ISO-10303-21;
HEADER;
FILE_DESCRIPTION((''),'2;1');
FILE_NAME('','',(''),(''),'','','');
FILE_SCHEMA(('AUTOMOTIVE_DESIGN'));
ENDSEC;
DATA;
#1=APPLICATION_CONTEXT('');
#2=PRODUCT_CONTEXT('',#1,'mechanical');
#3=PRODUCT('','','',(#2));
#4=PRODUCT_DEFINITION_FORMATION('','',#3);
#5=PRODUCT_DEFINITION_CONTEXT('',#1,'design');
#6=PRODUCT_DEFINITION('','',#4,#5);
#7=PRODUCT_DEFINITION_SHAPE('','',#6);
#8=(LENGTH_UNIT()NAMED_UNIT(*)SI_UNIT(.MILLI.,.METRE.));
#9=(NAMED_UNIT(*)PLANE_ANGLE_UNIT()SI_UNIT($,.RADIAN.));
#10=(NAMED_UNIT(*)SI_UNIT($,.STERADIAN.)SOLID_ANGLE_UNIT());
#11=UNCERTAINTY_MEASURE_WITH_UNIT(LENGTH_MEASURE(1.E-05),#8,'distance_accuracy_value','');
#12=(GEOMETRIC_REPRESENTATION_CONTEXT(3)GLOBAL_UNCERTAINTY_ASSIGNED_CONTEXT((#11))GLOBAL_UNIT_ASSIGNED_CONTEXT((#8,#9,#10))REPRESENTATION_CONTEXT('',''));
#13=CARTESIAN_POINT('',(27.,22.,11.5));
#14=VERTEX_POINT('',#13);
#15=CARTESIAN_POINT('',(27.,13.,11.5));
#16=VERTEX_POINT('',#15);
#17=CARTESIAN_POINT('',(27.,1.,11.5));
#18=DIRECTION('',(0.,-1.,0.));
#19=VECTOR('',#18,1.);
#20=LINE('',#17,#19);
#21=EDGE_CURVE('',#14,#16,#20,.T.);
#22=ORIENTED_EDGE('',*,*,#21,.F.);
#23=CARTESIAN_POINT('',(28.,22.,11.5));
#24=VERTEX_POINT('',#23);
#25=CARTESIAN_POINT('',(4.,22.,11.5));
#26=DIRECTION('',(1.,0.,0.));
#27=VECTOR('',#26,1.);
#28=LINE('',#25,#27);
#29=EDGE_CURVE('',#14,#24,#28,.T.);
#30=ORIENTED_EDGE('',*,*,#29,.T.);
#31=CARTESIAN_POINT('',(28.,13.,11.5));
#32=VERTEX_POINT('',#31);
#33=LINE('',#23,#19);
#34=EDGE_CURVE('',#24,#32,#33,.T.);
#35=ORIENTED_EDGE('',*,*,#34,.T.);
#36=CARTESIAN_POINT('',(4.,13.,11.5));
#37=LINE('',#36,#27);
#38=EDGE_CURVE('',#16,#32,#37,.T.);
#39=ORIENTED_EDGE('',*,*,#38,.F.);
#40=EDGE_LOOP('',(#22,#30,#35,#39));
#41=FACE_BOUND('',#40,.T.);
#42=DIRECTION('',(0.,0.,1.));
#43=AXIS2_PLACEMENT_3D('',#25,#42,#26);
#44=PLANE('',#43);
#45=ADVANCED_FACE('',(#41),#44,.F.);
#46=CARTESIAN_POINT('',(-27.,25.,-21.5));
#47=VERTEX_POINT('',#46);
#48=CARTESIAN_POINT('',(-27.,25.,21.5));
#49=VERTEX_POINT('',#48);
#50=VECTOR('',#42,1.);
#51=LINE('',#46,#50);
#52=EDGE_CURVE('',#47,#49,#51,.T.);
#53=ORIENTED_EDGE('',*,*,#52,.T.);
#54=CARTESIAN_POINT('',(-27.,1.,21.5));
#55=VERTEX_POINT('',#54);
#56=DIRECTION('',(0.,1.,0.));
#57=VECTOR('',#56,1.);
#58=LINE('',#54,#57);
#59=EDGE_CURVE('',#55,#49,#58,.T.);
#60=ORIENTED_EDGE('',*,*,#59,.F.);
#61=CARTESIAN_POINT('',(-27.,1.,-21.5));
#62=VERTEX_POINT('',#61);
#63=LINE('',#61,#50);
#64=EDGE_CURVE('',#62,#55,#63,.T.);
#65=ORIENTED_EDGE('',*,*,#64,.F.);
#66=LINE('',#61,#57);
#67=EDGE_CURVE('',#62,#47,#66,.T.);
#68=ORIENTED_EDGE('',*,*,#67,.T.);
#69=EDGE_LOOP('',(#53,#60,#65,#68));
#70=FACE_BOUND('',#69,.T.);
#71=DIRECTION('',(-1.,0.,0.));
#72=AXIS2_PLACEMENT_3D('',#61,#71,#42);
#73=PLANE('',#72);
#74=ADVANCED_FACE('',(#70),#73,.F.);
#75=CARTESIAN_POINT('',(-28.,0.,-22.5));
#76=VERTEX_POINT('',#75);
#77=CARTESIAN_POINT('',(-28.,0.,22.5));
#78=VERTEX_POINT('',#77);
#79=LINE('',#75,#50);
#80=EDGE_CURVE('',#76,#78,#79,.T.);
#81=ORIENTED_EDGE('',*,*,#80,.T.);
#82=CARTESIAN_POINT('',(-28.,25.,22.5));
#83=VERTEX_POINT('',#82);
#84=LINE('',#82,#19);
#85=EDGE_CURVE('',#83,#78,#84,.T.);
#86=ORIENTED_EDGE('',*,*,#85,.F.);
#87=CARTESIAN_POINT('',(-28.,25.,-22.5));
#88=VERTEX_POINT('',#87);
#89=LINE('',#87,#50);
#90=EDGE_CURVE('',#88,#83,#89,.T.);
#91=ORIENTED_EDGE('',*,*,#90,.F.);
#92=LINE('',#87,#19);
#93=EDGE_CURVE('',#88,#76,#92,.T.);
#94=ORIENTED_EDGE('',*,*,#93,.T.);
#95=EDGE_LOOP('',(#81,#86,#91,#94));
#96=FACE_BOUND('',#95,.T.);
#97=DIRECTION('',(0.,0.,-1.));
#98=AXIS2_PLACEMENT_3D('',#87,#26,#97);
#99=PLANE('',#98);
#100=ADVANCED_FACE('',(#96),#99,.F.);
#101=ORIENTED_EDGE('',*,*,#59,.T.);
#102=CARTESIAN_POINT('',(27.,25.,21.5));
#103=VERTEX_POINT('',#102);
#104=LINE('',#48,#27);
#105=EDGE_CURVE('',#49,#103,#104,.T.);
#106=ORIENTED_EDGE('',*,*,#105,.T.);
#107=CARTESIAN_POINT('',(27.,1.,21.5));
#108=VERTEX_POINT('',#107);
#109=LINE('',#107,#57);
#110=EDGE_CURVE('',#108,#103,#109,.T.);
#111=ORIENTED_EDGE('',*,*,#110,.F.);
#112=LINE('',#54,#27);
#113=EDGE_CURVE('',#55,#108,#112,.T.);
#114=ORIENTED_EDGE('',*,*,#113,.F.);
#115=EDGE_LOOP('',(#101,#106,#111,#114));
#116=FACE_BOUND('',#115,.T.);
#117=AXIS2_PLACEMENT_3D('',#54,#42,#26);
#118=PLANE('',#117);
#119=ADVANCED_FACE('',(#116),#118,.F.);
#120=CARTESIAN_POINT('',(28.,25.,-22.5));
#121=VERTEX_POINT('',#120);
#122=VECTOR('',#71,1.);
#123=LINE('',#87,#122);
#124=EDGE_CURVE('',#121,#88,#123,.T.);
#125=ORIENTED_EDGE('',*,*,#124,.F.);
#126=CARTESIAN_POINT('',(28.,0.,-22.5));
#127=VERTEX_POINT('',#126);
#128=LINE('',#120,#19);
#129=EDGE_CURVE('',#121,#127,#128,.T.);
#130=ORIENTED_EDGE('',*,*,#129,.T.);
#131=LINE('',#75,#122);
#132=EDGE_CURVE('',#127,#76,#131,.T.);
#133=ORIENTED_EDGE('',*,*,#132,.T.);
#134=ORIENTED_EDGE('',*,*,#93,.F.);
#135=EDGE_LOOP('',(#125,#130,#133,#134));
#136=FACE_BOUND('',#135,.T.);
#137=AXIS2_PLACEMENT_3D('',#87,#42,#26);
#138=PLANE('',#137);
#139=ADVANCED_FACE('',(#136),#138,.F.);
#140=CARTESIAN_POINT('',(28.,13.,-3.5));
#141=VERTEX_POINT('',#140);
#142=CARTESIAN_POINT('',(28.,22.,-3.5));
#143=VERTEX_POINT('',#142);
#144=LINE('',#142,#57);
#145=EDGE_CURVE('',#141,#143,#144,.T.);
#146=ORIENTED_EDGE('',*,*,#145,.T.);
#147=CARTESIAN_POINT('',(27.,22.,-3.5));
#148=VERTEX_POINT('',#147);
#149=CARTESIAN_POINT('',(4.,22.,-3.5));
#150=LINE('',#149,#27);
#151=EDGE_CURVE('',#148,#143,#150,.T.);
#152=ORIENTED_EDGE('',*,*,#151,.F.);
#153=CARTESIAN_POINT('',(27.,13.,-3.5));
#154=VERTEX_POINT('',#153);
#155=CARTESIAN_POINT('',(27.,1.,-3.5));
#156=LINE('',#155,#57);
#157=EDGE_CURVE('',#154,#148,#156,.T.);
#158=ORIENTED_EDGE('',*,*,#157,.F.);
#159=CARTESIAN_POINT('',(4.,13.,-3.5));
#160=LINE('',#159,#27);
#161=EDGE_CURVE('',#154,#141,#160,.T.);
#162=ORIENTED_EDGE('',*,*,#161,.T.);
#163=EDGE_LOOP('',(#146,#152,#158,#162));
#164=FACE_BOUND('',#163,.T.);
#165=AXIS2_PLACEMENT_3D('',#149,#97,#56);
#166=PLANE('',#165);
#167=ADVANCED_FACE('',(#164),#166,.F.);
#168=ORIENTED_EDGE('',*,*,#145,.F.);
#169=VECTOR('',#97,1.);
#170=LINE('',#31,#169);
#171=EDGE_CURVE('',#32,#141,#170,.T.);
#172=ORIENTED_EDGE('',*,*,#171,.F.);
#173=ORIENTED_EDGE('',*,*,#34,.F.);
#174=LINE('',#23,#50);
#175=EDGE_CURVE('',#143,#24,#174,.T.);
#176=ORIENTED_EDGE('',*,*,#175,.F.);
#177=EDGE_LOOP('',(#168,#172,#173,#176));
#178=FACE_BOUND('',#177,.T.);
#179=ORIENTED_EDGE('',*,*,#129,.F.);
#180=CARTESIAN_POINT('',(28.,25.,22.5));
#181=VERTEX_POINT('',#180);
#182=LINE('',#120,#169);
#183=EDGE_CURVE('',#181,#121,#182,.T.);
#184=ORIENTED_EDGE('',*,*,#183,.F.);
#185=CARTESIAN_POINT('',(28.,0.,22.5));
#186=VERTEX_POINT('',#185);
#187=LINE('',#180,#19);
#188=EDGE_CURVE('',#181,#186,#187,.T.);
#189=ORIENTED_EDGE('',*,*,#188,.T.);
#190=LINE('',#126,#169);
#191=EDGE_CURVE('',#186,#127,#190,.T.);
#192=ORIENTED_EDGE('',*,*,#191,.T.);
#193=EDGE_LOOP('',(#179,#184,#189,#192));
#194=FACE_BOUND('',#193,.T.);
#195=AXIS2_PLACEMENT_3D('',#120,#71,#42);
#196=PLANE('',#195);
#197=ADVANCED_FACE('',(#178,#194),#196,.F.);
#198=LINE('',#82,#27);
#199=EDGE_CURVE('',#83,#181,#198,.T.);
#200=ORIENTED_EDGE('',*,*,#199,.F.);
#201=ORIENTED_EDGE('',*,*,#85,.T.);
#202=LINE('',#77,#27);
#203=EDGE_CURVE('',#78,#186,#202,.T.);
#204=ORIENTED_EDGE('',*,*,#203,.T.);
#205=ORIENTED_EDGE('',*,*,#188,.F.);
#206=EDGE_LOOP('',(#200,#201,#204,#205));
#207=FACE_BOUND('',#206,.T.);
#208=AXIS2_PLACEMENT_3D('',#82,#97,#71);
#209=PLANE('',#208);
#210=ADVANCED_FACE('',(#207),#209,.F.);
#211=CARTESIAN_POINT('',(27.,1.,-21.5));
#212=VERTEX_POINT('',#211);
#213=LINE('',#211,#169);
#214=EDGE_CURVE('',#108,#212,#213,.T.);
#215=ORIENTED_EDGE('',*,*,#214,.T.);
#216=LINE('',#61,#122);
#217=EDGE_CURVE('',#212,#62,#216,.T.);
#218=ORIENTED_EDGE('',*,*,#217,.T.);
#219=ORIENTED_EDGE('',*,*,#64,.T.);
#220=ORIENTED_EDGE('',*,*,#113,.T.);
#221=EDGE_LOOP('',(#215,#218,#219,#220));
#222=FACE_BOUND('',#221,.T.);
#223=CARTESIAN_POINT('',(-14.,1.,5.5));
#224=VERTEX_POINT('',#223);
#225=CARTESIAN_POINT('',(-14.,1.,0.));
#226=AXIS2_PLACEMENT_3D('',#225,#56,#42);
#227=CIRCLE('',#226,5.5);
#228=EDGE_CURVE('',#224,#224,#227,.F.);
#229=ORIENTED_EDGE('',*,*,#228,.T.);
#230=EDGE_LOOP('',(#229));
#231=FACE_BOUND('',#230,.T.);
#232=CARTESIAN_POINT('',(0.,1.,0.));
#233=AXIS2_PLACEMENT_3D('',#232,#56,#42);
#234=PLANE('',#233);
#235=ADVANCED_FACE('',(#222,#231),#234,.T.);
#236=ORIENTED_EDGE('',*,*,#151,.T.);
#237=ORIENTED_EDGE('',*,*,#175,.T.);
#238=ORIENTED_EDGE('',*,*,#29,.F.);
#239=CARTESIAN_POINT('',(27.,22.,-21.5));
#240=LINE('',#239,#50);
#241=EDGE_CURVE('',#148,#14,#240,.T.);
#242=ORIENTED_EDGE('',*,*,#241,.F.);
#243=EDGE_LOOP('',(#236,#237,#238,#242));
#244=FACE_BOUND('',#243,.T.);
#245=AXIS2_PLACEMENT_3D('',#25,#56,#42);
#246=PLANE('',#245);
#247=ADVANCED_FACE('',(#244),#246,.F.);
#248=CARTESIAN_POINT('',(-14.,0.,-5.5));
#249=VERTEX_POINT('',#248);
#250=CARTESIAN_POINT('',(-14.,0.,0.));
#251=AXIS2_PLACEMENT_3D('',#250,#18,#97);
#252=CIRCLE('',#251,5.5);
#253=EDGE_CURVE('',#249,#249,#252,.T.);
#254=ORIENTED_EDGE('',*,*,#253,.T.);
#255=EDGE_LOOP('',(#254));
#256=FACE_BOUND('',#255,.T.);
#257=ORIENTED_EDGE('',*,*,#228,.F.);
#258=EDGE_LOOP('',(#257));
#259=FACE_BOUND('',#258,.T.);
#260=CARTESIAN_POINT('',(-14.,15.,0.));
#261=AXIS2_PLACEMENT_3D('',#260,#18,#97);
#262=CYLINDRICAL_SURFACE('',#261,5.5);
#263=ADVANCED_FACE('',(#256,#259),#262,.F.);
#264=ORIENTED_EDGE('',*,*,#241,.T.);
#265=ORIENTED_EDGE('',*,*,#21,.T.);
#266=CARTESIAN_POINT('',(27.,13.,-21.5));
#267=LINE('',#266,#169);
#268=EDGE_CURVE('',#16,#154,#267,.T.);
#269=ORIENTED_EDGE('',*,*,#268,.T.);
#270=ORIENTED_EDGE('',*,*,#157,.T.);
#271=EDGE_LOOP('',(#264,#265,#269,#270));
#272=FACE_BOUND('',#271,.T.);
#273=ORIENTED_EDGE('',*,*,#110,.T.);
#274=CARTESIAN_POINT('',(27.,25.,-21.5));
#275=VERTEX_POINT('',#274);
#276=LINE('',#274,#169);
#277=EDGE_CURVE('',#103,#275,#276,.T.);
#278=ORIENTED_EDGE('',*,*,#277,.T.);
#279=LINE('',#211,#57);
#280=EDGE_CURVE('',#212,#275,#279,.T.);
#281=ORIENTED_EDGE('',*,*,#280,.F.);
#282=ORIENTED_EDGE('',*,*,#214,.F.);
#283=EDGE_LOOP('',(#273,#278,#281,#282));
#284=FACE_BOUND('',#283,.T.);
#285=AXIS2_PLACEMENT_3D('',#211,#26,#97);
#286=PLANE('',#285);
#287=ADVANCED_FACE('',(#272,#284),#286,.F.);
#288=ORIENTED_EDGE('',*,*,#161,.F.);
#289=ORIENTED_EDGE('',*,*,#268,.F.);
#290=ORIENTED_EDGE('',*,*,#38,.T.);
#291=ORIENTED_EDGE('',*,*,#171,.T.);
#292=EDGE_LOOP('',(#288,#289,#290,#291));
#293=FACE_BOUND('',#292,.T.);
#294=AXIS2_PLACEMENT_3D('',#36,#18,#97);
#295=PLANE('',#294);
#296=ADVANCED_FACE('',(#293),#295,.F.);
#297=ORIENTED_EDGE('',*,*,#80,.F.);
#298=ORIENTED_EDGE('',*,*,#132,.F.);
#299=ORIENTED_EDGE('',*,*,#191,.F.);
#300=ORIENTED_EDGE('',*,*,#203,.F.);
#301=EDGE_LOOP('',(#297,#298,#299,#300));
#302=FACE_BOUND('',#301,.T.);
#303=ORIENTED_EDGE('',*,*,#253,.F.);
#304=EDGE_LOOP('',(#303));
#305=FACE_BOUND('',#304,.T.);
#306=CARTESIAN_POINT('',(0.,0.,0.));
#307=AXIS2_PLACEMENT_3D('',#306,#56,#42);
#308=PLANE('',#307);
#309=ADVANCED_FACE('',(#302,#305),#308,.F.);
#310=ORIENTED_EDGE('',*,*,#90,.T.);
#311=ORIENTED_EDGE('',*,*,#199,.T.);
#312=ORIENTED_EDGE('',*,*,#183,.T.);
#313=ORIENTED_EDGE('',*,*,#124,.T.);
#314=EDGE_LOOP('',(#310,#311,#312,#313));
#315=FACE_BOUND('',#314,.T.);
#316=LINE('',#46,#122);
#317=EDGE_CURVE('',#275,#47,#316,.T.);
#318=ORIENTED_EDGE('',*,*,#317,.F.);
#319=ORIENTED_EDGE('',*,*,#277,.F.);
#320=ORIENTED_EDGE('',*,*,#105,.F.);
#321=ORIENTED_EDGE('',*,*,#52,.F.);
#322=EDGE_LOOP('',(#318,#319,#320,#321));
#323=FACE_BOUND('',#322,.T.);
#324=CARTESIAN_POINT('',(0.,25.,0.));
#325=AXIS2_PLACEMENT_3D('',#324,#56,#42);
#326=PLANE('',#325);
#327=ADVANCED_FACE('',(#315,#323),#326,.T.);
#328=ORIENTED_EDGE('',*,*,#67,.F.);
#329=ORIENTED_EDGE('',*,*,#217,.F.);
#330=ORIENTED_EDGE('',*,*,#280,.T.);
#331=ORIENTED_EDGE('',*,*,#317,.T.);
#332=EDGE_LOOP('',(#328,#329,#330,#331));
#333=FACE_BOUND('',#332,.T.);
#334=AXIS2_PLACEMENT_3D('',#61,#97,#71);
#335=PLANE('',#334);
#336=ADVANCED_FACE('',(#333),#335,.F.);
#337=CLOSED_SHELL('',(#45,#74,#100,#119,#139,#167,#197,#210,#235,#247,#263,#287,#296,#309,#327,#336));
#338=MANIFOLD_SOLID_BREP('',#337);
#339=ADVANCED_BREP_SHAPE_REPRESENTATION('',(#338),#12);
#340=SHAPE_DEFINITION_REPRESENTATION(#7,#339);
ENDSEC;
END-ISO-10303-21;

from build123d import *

# Parameters (mm, degrees)
SKETCH1_W           = 56
SKETCH1_H           = 45
BOSS_EXTRUDE1_DEPTH = 25
SKETCH2_R           = 5.5
CUT_EXTRUDE1_DEPTH  = 15
SKETCH3_W           = 54
SKETCH3_H           = 43
CUT_EXTRUDE2_DEPTH  = 24
SKETCH4_W           = 15
SKETCH4_H           = 9
CUT_EXTRUDE3_DEPTH  = 24


with BuildPart() as part:
    # Sketch1 → Boss-Extrude1 (new body)
    with BuildSketch(Plane(origin=(0, 0, 0), x_dir=(1, 0, 0), z_dir=(0, 1, 0))):
        Rectangle(SKETCH1_W, SKETCH1_H)
    extrude(amount=BOSS_EXTRUDE1_DEPTH)

    # Sketch2 → Cut-Extrude1 (cut)
    with BuildSketch(Plane.XZ):
        with Locations((-14, 0)):
            Circle(SKETCH2_R)
    extrude(amount=-CUT_EXTRUDE1_DEPTH, mode=Mode.SUBTRACT)

    # Sketch3 → Cut-Extrude2 (cut)
    with BuildSketch(Plane(origin=(0, 25, 0), x_dir=(1, 0, 0), z_dir=(0, 1, 0))):
        Rectangle(SKETCH3_W, SKETCH3_H)
    extrude(amount=-CUT_EXTRUDE2_DEPTH, mode=Mode.SUBTRACT)

    # Sketch4 → Cut-Extrude3 (cut)
    with BuildSketch(Plane(origin=(28, 0, 0), x_dir=(0, 0, -1), z_dir=(1, 0, 0))):
        with Locations((-4, 17.5)):
            Rectangle(SKETCH4_W, SKETCH4_H)
    extrude(amount=-CUT_EXTRUDE3_DEPTH, mode=Mode.SUBTRACT)


solid = part.part
